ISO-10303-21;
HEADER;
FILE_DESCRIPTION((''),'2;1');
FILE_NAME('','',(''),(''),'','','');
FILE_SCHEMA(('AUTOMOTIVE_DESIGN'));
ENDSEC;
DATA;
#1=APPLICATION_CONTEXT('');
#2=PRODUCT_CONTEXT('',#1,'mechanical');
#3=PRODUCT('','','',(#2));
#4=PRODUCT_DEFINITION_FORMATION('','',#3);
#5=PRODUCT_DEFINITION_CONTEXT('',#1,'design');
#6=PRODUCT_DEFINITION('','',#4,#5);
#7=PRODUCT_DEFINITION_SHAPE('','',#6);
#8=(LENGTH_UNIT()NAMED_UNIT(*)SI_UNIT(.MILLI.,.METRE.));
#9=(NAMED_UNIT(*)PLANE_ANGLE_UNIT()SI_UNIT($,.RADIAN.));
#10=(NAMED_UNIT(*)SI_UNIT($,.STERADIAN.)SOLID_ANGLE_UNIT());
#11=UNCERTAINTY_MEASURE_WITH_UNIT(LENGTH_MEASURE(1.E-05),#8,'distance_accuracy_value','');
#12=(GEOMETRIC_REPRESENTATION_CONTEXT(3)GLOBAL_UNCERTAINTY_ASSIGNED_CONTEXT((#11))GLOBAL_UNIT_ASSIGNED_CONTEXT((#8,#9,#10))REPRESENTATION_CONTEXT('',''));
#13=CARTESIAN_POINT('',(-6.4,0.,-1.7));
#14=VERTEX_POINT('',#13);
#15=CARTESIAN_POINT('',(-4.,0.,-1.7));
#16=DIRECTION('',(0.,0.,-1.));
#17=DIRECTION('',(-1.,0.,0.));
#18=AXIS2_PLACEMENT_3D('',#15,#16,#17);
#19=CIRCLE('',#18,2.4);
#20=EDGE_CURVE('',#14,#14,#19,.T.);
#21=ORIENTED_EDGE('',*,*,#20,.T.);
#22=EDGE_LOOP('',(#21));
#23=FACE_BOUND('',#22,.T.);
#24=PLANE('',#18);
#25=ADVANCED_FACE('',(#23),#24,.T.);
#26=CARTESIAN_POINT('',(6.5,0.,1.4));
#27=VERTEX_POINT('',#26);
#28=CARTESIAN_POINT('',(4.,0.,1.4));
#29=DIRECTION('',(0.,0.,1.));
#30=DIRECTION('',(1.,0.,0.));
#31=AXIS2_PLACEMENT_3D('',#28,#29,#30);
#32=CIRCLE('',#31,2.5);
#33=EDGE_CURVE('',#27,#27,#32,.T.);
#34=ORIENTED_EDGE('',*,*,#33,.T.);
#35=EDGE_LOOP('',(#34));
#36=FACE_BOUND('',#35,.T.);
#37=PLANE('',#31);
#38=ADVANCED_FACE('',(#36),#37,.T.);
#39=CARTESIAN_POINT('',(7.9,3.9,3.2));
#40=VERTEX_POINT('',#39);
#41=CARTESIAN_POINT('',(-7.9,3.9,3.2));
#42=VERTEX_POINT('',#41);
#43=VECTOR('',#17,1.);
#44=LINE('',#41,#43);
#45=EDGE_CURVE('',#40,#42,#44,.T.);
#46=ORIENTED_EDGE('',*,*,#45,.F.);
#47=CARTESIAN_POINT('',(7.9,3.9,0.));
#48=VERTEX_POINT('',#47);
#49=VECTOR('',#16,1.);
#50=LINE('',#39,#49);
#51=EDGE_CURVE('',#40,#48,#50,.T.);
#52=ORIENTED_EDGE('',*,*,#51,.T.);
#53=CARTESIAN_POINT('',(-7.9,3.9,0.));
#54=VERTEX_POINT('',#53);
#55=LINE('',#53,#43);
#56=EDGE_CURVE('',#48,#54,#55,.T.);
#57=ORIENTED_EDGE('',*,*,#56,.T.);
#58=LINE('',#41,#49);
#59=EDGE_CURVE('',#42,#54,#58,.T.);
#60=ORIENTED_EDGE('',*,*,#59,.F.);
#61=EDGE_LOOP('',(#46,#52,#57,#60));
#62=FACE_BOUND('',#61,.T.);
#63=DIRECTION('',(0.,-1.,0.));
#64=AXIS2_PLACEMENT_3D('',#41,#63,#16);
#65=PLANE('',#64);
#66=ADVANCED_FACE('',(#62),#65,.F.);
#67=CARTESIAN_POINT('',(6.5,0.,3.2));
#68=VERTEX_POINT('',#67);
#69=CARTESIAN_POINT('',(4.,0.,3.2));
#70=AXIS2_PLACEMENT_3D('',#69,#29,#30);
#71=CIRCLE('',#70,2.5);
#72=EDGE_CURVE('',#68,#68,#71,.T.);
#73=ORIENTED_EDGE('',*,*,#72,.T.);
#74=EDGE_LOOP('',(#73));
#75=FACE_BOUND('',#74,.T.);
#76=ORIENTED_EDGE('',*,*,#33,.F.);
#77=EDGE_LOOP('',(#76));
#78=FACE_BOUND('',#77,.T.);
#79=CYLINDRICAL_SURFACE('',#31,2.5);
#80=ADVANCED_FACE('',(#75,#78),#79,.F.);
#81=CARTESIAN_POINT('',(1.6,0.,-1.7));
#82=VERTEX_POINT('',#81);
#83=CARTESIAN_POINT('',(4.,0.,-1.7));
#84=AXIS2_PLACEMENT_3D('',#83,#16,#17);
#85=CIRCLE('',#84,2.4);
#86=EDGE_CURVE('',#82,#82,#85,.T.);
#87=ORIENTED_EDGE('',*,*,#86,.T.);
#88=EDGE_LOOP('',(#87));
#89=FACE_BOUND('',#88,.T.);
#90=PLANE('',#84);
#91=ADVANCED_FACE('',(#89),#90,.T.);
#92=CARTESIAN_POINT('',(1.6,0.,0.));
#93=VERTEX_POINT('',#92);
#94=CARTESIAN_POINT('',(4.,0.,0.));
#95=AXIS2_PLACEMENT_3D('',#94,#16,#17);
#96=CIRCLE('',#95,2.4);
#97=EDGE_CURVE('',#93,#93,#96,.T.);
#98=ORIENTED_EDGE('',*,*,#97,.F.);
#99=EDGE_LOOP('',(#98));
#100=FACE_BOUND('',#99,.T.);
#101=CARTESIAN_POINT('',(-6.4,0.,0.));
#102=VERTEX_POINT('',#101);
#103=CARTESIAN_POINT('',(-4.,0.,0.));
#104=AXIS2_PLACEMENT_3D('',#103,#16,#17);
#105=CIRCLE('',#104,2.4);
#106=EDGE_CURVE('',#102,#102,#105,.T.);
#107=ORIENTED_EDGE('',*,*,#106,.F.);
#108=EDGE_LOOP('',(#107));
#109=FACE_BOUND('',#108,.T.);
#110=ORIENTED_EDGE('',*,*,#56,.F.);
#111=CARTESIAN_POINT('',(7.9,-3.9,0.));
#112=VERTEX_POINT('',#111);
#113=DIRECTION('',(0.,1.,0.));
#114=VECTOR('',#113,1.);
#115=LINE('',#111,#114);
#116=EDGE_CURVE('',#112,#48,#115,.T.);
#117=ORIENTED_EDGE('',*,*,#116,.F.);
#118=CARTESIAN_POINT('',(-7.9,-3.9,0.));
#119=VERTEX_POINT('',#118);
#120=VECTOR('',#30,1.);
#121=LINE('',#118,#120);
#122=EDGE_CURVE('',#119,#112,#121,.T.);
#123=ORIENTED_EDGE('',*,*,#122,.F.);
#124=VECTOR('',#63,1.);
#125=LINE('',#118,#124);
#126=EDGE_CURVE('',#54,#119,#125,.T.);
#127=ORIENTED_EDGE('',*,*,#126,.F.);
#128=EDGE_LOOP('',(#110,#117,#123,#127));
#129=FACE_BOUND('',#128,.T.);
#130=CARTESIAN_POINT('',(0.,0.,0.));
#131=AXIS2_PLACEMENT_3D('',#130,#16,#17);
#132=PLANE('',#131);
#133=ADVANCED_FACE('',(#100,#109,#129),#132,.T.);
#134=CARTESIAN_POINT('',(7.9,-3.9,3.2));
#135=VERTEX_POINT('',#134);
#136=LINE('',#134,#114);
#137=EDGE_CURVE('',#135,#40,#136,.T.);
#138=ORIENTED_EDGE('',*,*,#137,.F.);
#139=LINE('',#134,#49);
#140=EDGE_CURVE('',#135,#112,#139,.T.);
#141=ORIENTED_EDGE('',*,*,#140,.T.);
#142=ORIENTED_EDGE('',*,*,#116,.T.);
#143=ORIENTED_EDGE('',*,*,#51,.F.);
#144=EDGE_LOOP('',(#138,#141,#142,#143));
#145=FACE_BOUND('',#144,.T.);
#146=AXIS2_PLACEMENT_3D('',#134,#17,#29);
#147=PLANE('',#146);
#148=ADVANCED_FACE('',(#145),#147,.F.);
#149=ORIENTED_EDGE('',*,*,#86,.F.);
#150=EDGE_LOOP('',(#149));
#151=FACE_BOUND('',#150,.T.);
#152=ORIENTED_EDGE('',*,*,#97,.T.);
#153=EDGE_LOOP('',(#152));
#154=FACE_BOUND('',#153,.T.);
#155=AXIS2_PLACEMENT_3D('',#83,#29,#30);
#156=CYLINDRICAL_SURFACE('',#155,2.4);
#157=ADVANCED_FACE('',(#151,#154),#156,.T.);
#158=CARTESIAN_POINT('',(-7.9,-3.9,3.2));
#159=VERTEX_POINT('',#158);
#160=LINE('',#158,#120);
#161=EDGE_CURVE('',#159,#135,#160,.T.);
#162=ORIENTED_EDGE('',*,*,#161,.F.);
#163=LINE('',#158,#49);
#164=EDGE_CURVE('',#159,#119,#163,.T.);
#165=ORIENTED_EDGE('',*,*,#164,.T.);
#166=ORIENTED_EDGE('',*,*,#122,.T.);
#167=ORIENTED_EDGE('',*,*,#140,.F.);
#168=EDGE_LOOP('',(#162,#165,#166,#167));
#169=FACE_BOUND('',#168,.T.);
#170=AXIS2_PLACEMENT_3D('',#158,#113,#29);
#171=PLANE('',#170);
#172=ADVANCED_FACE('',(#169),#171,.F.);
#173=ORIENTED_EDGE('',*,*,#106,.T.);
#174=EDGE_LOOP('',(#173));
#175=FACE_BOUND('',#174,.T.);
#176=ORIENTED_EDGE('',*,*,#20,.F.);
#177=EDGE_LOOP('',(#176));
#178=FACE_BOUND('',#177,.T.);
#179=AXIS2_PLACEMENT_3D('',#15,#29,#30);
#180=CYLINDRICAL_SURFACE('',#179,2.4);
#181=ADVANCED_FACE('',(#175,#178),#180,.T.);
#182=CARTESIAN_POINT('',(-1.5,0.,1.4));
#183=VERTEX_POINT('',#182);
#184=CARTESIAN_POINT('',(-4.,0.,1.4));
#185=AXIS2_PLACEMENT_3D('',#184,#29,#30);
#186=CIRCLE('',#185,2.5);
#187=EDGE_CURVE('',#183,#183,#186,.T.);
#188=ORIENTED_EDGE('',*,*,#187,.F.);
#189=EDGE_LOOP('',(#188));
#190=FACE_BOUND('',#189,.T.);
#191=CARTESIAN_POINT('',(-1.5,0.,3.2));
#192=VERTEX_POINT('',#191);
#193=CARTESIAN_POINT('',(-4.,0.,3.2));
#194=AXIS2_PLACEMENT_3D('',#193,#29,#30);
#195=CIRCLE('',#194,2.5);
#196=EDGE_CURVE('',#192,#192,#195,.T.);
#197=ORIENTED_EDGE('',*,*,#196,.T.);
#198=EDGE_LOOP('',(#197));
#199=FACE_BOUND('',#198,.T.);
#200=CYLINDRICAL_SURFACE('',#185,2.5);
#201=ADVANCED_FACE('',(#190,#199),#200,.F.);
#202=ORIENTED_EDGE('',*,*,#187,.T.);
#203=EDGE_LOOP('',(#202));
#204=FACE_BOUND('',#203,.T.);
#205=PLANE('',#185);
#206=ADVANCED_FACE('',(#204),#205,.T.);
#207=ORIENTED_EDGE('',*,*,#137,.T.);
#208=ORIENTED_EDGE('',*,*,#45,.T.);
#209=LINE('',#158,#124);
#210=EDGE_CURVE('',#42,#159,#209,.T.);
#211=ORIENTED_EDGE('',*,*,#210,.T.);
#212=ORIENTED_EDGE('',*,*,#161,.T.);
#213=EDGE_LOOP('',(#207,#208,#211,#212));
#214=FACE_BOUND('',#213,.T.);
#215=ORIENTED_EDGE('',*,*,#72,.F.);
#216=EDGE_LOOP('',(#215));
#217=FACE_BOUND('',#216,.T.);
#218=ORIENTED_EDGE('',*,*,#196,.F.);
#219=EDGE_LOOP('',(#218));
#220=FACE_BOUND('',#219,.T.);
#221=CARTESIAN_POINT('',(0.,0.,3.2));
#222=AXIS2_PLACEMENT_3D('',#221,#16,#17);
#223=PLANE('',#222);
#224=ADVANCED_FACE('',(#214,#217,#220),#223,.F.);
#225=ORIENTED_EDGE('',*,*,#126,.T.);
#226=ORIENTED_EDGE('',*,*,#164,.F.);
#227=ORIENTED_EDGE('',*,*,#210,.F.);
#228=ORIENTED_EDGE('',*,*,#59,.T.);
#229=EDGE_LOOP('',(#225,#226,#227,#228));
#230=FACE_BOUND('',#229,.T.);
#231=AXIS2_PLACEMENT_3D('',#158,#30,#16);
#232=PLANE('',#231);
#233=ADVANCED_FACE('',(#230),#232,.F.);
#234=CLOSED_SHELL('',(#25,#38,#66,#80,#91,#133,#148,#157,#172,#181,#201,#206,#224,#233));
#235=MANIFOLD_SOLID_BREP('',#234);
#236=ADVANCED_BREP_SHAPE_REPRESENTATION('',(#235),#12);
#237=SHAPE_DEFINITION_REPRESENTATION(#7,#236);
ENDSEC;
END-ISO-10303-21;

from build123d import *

# Parameters (mm, degrees)
SKETCH_1_W          = 15.8
SKETCH_1_H          = 7.8
EXTRUDE_1_DEPTH     = 3.2
SKETCH_2_R          = 2.4
EXTRUDE_2_DEPTH     = 1.7
SKETCH_3_R          = 2.5
CUT_EXTRUDE_1_DEPTH = 1.8


with BuildPart() as part:
    # Эскиз1 → Бобышка-Вытянуть1 (new body)
    with BuildSketch(Plane.XY):
        Rectangle(SKETCH_1_W, SKETCH_1_H)
    extrude(amount=EXTRUDE_1_DEPTH)

    # Эскиз2 → Бобышка-Вытянуть2 (add)
    with BuildSketch(Plane(origin=(0, 0, 0), x_dir=(-1, 0, 0), z_dir=(0, 0, -1))):
        with Locations((-4, 0)):
            Circle(SKETCH_2_R)
        with Locations((4, 0)):
            Circle(SKETCH_2_R)
    extrude(amount=EXTRUDE_2_DEPTH)

    # Эскиз3 → Вырез-Вытянуть1 (cut)
    with BuildSketch(Plane.XY.offset(3.2)):
        with Locations((-4, 0)):
            Circle(SKETCH_3_R)
        with Locations((4, 0)):
            Circle(SKETCH_3_R)
    extrude(amount=-CUT_EXTRUDE_1_DEPTH, mode=Mode.SUBTRACT)


solid = part.part
